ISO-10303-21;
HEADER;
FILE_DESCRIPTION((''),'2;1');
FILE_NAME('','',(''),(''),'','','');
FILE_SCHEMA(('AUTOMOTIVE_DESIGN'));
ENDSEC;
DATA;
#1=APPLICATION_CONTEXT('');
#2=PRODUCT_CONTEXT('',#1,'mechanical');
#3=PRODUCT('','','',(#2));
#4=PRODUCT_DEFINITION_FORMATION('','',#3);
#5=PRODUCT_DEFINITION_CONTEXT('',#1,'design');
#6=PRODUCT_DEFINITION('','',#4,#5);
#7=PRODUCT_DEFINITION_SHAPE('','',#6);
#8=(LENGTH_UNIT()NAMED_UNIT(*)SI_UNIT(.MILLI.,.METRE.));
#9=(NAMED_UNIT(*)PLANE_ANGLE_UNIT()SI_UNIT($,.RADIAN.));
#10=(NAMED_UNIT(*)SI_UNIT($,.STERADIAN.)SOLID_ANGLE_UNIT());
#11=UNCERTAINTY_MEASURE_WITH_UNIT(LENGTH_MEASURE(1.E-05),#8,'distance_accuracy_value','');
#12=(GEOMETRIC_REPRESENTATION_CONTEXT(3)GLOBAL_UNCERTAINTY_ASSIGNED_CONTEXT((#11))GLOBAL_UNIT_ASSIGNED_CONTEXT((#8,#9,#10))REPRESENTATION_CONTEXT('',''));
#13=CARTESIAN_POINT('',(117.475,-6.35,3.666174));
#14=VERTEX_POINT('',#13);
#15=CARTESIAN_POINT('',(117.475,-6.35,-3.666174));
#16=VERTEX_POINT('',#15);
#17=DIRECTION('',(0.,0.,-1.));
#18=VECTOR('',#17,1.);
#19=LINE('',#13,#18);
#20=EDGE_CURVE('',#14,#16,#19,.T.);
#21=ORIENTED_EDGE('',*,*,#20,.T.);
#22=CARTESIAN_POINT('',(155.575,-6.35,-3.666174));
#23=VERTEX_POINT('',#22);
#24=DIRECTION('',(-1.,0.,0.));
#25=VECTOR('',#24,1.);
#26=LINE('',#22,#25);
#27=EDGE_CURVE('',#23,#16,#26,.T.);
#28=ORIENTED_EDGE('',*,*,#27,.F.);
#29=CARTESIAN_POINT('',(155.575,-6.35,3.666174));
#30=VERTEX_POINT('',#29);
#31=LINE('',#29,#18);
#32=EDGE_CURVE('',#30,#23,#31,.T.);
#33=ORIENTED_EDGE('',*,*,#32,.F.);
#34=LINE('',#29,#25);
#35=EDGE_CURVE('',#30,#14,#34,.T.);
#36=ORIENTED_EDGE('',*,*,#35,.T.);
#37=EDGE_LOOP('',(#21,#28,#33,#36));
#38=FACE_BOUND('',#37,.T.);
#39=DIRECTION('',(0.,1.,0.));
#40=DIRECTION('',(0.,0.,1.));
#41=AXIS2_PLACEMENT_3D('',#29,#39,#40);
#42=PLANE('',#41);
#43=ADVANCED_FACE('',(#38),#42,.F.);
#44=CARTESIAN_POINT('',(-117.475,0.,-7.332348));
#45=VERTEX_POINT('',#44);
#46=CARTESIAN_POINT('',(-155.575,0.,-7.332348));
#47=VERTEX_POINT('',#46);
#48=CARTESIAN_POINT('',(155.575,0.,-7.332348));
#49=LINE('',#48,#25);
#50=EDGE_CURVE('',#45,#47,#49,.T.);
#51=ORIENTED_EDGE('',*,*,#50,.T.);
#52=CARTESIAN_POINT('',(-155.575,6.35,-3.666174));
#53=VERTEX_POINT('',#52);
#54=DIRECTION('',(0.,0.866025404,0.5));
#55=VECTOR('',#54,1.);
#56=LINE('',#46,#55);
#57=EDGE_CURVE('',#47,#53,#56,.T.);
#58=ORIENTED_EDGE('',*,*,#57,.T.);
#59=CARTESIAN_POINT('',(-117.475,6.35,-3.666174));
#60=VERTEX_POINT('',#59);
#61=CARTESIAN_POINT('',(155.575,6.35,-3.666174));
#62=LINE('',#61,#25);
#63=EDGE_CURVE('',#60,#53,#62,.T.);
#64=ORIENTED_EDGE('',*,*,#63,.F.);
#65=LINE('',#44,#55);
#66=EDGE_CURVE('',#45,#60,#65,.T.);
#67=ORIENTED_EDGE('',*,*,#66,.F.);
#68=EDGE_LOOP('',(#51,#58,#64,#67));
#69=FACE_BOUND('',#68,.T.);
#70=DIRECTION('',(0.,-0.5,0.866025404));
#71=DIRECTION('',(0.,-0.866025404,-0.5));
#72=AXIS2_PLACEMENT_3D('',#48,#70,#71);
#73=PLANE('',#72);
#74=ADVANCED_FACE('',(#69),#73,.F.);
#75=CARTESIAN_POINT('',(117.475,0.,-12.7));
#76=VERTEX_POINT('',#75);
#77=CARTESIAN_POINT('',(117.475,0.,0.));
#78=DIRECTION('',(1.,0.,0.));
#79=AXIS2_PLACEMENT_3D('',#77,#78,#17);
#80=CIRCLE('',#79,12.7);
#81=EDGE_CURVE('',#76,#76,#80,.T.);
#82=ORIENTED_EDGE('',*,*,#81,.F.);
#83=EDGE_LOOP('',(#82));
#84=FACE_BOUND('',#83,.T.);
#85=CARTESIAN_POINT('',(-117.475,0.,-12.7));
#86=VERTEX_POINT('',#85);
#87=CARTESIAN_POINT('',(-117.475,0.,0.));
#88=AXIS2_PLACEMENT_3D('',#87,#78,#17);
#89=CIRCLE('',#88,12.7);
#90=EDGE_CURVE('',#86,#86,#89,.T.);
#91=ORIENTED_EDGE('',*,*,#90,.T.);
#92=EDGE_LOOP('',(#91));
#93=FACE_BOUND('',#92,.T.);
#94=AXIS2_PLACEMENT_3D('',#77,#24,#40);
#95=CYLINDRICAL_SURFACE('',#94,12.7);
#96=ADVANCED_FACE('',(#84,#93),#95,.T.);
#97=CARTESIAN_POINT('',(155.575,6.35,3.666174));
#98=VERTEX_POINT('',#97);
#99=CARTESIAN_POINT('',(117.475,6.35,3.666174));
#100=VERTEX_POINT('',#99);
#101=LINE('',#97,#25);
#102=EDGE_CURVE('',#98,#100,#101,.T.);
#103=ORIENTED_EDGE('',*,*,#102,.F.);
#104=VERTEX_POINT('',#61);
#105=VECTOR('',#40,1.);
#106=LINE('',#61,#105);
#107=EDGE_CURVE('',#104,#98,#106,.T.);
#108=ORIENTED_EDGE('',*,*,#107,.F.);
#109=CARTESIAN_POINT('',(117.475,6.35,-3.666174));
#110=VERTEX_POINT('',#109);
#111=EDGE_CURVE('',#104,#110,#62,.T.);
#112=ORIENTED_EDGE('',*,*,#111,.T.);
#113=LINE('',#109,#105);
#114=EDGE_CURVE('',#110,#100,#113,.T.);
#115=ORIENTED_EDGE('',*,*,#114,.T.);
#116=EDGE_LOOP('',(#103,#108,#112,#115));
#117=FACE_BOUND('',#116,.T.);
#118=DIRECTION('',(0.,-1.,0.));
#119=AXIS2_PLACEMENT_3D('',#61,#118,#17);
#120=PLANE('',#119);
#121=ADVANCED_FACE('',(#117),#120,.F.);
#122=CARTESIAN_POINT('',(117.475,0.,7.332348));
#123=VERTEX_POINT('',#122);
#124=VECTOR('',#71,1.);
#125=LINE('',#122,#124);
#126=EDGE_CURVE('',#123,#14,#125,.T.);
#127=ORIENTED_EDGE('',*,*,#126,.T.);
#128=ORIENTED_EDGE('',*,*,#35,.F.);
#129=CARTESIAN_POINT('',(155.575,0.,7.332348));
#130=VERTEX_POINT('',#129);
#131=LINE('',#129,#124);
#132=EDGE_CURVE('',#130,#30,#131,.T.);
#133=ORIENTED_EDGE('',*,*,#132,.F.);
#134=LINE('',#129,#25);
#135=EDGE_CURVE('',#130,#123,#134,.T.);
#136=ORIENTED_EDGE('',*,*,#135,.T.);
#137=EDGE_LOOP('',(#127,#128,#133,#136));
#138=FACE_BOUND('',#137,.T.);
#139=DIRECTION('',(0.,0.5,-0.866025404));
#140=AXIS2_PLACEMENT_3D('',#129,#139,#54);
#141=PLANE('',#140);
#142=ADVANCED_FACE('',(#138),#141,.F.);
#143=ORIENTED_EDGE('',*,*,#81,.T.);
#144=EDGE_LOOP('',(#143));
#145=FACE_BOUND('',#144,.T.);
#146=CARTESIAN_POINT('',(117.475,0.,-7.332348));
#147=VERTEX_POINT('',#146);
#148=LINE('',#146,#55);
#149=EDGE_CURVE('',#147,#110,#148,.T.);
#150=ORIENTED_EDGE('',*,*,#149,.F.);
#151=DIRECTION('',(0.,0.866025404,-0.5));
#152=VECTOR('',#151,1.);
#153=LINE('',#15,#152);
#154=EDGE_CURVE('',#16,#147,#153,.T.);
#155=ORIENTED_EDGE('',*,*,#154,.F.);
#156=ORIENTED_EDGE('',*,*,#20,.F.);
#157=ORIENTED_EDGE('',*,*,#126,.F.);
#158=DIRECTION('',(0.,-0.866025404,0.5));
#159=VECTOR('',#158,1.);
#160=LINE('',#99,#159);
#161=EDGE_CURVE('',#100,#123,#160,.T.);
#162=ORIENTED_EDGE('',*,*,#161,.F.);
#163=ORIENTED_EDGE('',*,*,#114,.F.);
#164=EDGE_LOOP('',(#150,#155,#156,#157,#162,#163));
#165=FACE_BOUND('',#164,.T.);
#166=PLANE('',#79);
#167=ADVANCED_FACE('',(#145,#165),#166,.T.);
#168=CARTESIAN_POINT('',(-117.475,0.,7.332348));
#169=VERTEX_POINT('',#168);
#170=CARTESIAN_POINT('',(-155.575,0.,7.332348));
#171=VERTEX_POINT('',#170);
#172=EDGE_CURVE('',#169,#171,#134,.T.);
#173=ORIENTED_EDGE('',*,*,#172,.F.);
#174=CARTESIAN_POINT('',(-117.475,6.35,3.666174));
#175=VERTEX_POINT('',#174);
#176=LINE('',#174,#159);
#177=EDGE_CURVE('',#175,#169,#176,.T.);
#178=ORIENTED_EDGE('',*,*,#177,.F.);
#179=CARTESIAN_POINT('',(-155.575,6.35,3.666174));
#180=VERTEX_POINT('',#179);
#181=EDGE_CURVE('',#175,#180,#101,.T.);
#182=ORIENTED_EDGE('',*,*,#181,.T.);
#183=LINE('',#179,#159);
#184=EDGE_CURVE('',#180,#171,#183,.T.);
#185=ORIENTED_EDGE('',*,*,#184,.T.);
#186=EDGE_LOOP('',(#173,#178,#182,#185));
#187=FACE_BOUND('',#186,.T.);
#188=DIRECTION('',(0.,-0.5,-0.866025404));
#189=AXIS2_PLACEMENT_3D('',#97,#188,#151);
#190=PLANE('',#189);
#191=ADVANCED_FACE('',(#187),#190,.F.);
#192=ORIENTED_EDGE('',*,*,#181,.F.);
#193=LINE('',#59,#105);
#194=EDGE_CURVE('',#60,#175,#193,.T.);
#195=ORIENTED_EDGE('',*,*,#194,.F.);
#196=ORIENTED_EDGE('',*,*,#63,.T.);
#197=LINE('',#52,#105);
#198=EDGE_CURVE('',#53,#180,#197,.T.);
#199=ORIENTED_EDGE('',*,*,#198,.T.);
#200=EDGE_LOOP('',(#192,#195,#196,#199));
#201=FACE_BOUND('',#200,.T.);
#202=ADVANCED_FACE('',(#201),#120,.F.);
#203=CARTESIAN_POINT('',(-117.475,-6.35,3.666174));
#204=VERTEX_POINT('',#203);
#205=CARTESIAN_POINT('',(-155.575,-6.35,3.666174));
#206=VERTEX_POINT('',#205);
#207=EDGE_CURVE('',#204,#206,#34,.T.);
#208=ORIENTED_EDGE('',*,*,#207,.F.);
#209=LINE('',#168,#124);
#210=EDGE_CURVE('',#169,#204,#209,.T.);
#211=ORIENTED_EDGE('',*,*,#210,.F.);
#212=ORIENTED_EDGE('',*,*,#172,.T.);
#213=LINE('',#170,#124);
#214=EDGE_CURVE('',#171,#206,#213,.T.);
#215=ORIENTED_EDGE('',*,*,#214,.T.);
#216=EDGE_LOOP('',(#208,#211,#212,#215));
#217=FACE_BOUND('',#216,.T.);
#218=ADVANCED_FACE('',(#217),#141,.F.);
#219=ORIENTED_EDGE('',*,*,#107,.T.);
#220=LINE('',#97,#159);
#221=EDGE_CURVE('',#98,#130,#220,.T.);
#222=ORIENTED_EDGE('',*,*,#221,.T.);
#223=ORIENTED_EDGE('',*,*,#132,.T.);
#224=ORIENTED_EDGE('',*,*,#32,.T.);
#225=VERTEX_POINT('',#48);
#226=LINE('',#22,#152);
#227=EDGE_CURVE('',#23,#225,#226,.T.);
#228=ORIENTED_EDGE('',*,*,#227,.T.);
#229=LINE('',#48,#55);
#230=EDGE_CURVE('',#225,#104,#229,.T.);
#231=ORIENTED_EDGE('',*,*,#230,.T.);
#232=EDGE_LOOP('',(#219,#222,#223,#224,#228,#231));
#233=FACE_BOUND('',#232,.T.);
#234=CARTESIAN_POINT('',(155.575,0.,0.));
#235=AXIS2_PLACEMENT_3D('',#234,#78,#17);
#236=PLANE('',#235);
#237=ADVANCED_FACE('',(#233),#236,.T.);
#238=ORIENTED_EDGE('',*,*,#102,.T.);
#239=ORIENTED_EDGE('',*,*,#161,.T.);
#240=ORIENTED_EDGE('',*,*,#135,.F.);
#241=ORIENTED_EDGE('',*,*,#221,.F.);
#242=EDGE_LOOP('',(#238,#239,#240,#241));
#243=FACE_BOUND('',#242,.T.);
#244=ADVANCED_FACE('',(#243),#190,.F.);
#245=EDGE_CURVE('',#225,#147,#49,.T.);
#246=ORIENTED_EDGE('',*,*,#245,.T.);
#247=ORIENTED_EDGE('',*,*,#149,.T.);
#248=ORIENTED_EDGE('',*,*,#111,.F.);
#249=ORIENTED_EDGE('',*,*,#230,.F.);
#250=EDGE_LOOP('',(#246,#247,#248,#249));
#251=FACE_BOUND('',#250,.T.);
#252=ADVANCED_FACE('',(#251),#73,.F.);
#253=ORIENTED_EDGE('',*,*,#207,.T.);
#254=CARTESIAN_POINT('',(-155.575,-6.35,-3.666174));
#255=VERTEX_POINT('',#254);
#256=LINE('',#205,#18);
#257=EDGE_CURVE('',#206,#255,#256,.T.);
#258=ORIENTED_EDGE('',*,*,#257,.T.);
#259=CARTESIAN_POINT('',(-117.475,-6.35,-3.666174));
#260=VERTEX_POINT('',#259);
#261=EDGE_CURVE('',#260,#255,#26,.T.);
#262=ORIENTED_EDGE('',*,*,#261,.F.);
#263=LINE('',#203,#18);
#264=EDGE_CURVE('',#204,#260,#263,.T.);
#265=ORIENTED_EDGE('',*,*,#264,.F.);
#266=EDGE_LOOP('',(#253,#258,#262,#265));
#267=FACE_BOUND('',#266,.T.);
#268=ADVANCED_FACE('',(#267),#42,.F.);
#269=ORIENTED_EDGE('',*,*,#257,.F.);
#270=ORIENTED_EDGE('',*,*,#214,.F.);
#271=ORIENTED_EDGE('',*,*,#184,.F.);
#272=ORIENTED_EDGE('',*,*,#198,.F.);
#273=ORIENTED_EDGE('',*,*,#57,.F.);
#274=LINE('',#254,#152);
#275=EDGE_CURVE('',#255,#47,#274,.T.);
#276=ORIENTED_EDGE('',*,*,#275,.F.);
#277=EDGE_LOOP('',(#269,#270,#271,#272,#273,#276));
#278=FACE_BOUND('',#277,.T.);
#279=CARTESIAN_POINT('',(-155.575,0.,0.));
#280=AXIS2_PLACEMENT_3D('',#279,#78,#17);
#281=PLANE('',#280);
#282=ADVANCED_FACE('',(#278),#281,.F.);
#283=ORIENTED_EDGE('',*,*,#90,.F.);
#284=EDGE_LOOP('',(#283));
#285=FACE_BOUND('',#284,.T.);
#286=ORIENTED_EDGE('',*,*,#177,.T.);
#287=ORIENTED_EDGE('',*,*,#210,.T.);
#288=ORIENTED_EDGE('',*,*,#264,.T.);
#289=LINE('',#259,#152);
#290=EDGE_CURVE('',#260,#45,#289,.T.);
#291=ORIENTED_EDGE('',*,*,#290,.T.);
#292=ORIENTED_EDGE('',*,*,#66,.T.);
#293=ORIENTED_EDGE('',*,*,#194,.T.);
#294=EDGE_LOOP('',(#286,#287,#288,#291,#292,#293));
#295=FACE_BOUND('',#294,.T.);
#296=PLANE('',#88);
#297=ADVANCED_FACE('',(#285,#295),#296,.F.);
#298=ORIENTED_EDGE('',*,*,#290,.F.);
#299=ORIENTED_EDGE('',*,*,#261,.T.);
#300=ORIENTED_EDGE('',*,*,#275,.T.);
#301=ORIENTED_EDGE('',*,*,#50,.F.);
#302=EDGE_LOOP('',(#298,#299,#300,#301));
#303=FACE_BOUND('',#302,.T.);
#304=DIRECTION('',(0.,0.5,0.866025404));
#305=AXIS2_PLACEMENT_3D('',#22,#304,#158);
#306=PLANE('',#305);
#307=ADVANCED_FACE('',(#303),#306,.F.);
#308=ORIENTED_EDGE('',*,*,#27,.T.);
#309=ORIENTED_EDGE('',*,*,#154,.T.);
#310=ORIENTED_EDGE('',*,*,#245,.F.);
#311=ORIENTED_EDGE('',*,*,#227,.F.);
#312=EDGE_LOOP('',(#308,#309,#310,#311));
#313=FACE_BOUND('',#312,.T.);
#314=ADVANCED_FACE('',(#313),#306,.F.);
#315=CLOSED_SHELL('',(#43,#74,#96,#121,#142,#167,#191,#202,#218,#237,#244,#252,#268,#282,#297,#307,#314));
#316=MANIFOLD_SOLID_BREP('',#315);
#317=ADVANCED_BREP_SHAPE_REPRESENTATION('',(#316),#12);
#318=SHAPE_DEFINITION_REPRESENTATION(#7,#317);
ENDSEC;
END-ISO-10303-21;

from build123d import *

# Parameters (mm, degrees)
BOSS_EXTRUDE1_DEPTH = 155.575
SKETCH3_R           = 12.7
BOSS_EXTRUDE2_DEPTH = 117.475


with BuildPart() as part:
    # Sketch1 → Boss-Extrude1 (new body, symmetric)
    with BuildSketch(Plane(origin=(0, 0, 0), x_dir=(0, 0, -1), z_dir=(1, 0, 0))):
        Polygon((3.666174209, 6.35), (-3.666174209, 6.35), (-7.332348419, 0), (-3.666174209, -6.35), (3.666174209, -6.35), (7.332348419, 0), align=None)
    extrude(amount=BOSS_EXTRUDE1_DEPTH, both=True)

    # Sketch3 → Boss-Extrude2 (add, symmetric)
    with BuildSketch(Plane(origin=(0, 0, 0), x_dir=(0, 0, -1), z_dir=(1, 0, 0))):
        Circle(SKETCH3_R)
    extrude(amount=BOSS_EXTRUDE2_DEPTH, both=True)


solid = part.part
